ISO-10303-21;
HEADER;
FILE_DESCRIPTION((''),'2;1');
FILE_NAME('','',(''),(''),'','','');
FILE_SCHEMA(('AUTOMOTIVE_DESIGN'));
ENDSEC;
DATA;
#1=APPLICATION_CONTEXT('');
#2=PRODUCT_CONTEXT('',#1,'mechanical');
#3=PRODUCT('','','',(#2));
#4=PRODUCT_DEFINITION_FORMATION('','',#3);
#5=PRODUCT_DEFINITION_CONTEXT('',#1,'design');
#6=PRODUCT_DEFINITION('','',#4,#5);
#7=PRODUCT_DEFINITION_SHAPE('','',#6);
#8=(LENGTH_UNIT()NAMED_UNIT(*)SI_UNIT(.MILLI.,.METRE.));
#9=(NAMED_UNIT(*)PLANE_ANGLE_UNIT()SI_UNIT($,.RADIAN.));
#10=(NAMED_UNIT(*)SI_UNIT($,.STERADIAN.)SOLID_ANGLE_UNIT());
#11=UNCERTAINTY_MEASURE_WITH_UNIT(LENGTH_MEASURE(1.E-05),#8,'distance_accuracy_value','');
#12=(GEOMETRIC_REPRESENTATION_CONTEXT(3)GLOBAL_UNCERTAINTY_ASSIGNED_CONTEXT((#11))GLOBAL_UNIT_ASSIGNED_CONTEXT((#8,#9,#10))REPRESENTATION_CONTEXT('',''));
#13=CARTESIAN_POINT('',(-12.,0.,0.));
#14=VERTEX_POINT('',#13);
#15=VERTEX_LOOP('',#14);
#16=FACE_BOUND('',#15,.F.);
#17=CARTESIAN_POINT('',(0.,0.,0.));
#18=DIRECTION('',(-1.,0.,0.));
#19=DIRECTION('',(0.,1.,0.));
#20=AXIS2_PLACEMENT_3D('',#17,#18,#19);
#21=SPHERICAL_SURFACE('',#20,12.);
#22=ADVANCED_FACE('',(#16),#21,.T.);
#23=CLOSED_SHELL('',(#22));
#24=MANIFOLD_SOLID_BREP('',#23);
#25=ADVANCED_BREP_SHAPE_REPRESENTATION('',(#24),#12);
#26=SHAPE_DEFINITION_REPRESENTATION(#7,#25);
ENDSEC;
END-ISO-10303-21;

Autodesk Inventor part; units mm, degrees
ref_plane "YZ Plane" through (0, 0, 0) normal (1, 0, 0) x (0, 1, 0)
ref_plane "XZ Plane" through (0, 0, 0) normal (0, 1, 0) x (-1, 0, 0)
ref_plane "XY Plane" through (0, 0, 0) normal (0, 0, 1) x (1, 0, 0)
sketch "Sketch1" plane through (0, 0, 0) normal (0, 0, 1) x (1, 0, 0)
  arc A0 (12, 0) -> (-12, 0) centre (0, 0) ccw
  line L0 (-12, 0) -> (12, 0)
  point P0 (0, 0)
  point P1 (0, 0)
  dimension "d0" = 12
  dimension "d1" = 24
revolve "Revolution1" add sketch "Sketch1" angle 360 about axis through (-12, 0, 0) along (1, 0, 0)
properties part number "Ball"
